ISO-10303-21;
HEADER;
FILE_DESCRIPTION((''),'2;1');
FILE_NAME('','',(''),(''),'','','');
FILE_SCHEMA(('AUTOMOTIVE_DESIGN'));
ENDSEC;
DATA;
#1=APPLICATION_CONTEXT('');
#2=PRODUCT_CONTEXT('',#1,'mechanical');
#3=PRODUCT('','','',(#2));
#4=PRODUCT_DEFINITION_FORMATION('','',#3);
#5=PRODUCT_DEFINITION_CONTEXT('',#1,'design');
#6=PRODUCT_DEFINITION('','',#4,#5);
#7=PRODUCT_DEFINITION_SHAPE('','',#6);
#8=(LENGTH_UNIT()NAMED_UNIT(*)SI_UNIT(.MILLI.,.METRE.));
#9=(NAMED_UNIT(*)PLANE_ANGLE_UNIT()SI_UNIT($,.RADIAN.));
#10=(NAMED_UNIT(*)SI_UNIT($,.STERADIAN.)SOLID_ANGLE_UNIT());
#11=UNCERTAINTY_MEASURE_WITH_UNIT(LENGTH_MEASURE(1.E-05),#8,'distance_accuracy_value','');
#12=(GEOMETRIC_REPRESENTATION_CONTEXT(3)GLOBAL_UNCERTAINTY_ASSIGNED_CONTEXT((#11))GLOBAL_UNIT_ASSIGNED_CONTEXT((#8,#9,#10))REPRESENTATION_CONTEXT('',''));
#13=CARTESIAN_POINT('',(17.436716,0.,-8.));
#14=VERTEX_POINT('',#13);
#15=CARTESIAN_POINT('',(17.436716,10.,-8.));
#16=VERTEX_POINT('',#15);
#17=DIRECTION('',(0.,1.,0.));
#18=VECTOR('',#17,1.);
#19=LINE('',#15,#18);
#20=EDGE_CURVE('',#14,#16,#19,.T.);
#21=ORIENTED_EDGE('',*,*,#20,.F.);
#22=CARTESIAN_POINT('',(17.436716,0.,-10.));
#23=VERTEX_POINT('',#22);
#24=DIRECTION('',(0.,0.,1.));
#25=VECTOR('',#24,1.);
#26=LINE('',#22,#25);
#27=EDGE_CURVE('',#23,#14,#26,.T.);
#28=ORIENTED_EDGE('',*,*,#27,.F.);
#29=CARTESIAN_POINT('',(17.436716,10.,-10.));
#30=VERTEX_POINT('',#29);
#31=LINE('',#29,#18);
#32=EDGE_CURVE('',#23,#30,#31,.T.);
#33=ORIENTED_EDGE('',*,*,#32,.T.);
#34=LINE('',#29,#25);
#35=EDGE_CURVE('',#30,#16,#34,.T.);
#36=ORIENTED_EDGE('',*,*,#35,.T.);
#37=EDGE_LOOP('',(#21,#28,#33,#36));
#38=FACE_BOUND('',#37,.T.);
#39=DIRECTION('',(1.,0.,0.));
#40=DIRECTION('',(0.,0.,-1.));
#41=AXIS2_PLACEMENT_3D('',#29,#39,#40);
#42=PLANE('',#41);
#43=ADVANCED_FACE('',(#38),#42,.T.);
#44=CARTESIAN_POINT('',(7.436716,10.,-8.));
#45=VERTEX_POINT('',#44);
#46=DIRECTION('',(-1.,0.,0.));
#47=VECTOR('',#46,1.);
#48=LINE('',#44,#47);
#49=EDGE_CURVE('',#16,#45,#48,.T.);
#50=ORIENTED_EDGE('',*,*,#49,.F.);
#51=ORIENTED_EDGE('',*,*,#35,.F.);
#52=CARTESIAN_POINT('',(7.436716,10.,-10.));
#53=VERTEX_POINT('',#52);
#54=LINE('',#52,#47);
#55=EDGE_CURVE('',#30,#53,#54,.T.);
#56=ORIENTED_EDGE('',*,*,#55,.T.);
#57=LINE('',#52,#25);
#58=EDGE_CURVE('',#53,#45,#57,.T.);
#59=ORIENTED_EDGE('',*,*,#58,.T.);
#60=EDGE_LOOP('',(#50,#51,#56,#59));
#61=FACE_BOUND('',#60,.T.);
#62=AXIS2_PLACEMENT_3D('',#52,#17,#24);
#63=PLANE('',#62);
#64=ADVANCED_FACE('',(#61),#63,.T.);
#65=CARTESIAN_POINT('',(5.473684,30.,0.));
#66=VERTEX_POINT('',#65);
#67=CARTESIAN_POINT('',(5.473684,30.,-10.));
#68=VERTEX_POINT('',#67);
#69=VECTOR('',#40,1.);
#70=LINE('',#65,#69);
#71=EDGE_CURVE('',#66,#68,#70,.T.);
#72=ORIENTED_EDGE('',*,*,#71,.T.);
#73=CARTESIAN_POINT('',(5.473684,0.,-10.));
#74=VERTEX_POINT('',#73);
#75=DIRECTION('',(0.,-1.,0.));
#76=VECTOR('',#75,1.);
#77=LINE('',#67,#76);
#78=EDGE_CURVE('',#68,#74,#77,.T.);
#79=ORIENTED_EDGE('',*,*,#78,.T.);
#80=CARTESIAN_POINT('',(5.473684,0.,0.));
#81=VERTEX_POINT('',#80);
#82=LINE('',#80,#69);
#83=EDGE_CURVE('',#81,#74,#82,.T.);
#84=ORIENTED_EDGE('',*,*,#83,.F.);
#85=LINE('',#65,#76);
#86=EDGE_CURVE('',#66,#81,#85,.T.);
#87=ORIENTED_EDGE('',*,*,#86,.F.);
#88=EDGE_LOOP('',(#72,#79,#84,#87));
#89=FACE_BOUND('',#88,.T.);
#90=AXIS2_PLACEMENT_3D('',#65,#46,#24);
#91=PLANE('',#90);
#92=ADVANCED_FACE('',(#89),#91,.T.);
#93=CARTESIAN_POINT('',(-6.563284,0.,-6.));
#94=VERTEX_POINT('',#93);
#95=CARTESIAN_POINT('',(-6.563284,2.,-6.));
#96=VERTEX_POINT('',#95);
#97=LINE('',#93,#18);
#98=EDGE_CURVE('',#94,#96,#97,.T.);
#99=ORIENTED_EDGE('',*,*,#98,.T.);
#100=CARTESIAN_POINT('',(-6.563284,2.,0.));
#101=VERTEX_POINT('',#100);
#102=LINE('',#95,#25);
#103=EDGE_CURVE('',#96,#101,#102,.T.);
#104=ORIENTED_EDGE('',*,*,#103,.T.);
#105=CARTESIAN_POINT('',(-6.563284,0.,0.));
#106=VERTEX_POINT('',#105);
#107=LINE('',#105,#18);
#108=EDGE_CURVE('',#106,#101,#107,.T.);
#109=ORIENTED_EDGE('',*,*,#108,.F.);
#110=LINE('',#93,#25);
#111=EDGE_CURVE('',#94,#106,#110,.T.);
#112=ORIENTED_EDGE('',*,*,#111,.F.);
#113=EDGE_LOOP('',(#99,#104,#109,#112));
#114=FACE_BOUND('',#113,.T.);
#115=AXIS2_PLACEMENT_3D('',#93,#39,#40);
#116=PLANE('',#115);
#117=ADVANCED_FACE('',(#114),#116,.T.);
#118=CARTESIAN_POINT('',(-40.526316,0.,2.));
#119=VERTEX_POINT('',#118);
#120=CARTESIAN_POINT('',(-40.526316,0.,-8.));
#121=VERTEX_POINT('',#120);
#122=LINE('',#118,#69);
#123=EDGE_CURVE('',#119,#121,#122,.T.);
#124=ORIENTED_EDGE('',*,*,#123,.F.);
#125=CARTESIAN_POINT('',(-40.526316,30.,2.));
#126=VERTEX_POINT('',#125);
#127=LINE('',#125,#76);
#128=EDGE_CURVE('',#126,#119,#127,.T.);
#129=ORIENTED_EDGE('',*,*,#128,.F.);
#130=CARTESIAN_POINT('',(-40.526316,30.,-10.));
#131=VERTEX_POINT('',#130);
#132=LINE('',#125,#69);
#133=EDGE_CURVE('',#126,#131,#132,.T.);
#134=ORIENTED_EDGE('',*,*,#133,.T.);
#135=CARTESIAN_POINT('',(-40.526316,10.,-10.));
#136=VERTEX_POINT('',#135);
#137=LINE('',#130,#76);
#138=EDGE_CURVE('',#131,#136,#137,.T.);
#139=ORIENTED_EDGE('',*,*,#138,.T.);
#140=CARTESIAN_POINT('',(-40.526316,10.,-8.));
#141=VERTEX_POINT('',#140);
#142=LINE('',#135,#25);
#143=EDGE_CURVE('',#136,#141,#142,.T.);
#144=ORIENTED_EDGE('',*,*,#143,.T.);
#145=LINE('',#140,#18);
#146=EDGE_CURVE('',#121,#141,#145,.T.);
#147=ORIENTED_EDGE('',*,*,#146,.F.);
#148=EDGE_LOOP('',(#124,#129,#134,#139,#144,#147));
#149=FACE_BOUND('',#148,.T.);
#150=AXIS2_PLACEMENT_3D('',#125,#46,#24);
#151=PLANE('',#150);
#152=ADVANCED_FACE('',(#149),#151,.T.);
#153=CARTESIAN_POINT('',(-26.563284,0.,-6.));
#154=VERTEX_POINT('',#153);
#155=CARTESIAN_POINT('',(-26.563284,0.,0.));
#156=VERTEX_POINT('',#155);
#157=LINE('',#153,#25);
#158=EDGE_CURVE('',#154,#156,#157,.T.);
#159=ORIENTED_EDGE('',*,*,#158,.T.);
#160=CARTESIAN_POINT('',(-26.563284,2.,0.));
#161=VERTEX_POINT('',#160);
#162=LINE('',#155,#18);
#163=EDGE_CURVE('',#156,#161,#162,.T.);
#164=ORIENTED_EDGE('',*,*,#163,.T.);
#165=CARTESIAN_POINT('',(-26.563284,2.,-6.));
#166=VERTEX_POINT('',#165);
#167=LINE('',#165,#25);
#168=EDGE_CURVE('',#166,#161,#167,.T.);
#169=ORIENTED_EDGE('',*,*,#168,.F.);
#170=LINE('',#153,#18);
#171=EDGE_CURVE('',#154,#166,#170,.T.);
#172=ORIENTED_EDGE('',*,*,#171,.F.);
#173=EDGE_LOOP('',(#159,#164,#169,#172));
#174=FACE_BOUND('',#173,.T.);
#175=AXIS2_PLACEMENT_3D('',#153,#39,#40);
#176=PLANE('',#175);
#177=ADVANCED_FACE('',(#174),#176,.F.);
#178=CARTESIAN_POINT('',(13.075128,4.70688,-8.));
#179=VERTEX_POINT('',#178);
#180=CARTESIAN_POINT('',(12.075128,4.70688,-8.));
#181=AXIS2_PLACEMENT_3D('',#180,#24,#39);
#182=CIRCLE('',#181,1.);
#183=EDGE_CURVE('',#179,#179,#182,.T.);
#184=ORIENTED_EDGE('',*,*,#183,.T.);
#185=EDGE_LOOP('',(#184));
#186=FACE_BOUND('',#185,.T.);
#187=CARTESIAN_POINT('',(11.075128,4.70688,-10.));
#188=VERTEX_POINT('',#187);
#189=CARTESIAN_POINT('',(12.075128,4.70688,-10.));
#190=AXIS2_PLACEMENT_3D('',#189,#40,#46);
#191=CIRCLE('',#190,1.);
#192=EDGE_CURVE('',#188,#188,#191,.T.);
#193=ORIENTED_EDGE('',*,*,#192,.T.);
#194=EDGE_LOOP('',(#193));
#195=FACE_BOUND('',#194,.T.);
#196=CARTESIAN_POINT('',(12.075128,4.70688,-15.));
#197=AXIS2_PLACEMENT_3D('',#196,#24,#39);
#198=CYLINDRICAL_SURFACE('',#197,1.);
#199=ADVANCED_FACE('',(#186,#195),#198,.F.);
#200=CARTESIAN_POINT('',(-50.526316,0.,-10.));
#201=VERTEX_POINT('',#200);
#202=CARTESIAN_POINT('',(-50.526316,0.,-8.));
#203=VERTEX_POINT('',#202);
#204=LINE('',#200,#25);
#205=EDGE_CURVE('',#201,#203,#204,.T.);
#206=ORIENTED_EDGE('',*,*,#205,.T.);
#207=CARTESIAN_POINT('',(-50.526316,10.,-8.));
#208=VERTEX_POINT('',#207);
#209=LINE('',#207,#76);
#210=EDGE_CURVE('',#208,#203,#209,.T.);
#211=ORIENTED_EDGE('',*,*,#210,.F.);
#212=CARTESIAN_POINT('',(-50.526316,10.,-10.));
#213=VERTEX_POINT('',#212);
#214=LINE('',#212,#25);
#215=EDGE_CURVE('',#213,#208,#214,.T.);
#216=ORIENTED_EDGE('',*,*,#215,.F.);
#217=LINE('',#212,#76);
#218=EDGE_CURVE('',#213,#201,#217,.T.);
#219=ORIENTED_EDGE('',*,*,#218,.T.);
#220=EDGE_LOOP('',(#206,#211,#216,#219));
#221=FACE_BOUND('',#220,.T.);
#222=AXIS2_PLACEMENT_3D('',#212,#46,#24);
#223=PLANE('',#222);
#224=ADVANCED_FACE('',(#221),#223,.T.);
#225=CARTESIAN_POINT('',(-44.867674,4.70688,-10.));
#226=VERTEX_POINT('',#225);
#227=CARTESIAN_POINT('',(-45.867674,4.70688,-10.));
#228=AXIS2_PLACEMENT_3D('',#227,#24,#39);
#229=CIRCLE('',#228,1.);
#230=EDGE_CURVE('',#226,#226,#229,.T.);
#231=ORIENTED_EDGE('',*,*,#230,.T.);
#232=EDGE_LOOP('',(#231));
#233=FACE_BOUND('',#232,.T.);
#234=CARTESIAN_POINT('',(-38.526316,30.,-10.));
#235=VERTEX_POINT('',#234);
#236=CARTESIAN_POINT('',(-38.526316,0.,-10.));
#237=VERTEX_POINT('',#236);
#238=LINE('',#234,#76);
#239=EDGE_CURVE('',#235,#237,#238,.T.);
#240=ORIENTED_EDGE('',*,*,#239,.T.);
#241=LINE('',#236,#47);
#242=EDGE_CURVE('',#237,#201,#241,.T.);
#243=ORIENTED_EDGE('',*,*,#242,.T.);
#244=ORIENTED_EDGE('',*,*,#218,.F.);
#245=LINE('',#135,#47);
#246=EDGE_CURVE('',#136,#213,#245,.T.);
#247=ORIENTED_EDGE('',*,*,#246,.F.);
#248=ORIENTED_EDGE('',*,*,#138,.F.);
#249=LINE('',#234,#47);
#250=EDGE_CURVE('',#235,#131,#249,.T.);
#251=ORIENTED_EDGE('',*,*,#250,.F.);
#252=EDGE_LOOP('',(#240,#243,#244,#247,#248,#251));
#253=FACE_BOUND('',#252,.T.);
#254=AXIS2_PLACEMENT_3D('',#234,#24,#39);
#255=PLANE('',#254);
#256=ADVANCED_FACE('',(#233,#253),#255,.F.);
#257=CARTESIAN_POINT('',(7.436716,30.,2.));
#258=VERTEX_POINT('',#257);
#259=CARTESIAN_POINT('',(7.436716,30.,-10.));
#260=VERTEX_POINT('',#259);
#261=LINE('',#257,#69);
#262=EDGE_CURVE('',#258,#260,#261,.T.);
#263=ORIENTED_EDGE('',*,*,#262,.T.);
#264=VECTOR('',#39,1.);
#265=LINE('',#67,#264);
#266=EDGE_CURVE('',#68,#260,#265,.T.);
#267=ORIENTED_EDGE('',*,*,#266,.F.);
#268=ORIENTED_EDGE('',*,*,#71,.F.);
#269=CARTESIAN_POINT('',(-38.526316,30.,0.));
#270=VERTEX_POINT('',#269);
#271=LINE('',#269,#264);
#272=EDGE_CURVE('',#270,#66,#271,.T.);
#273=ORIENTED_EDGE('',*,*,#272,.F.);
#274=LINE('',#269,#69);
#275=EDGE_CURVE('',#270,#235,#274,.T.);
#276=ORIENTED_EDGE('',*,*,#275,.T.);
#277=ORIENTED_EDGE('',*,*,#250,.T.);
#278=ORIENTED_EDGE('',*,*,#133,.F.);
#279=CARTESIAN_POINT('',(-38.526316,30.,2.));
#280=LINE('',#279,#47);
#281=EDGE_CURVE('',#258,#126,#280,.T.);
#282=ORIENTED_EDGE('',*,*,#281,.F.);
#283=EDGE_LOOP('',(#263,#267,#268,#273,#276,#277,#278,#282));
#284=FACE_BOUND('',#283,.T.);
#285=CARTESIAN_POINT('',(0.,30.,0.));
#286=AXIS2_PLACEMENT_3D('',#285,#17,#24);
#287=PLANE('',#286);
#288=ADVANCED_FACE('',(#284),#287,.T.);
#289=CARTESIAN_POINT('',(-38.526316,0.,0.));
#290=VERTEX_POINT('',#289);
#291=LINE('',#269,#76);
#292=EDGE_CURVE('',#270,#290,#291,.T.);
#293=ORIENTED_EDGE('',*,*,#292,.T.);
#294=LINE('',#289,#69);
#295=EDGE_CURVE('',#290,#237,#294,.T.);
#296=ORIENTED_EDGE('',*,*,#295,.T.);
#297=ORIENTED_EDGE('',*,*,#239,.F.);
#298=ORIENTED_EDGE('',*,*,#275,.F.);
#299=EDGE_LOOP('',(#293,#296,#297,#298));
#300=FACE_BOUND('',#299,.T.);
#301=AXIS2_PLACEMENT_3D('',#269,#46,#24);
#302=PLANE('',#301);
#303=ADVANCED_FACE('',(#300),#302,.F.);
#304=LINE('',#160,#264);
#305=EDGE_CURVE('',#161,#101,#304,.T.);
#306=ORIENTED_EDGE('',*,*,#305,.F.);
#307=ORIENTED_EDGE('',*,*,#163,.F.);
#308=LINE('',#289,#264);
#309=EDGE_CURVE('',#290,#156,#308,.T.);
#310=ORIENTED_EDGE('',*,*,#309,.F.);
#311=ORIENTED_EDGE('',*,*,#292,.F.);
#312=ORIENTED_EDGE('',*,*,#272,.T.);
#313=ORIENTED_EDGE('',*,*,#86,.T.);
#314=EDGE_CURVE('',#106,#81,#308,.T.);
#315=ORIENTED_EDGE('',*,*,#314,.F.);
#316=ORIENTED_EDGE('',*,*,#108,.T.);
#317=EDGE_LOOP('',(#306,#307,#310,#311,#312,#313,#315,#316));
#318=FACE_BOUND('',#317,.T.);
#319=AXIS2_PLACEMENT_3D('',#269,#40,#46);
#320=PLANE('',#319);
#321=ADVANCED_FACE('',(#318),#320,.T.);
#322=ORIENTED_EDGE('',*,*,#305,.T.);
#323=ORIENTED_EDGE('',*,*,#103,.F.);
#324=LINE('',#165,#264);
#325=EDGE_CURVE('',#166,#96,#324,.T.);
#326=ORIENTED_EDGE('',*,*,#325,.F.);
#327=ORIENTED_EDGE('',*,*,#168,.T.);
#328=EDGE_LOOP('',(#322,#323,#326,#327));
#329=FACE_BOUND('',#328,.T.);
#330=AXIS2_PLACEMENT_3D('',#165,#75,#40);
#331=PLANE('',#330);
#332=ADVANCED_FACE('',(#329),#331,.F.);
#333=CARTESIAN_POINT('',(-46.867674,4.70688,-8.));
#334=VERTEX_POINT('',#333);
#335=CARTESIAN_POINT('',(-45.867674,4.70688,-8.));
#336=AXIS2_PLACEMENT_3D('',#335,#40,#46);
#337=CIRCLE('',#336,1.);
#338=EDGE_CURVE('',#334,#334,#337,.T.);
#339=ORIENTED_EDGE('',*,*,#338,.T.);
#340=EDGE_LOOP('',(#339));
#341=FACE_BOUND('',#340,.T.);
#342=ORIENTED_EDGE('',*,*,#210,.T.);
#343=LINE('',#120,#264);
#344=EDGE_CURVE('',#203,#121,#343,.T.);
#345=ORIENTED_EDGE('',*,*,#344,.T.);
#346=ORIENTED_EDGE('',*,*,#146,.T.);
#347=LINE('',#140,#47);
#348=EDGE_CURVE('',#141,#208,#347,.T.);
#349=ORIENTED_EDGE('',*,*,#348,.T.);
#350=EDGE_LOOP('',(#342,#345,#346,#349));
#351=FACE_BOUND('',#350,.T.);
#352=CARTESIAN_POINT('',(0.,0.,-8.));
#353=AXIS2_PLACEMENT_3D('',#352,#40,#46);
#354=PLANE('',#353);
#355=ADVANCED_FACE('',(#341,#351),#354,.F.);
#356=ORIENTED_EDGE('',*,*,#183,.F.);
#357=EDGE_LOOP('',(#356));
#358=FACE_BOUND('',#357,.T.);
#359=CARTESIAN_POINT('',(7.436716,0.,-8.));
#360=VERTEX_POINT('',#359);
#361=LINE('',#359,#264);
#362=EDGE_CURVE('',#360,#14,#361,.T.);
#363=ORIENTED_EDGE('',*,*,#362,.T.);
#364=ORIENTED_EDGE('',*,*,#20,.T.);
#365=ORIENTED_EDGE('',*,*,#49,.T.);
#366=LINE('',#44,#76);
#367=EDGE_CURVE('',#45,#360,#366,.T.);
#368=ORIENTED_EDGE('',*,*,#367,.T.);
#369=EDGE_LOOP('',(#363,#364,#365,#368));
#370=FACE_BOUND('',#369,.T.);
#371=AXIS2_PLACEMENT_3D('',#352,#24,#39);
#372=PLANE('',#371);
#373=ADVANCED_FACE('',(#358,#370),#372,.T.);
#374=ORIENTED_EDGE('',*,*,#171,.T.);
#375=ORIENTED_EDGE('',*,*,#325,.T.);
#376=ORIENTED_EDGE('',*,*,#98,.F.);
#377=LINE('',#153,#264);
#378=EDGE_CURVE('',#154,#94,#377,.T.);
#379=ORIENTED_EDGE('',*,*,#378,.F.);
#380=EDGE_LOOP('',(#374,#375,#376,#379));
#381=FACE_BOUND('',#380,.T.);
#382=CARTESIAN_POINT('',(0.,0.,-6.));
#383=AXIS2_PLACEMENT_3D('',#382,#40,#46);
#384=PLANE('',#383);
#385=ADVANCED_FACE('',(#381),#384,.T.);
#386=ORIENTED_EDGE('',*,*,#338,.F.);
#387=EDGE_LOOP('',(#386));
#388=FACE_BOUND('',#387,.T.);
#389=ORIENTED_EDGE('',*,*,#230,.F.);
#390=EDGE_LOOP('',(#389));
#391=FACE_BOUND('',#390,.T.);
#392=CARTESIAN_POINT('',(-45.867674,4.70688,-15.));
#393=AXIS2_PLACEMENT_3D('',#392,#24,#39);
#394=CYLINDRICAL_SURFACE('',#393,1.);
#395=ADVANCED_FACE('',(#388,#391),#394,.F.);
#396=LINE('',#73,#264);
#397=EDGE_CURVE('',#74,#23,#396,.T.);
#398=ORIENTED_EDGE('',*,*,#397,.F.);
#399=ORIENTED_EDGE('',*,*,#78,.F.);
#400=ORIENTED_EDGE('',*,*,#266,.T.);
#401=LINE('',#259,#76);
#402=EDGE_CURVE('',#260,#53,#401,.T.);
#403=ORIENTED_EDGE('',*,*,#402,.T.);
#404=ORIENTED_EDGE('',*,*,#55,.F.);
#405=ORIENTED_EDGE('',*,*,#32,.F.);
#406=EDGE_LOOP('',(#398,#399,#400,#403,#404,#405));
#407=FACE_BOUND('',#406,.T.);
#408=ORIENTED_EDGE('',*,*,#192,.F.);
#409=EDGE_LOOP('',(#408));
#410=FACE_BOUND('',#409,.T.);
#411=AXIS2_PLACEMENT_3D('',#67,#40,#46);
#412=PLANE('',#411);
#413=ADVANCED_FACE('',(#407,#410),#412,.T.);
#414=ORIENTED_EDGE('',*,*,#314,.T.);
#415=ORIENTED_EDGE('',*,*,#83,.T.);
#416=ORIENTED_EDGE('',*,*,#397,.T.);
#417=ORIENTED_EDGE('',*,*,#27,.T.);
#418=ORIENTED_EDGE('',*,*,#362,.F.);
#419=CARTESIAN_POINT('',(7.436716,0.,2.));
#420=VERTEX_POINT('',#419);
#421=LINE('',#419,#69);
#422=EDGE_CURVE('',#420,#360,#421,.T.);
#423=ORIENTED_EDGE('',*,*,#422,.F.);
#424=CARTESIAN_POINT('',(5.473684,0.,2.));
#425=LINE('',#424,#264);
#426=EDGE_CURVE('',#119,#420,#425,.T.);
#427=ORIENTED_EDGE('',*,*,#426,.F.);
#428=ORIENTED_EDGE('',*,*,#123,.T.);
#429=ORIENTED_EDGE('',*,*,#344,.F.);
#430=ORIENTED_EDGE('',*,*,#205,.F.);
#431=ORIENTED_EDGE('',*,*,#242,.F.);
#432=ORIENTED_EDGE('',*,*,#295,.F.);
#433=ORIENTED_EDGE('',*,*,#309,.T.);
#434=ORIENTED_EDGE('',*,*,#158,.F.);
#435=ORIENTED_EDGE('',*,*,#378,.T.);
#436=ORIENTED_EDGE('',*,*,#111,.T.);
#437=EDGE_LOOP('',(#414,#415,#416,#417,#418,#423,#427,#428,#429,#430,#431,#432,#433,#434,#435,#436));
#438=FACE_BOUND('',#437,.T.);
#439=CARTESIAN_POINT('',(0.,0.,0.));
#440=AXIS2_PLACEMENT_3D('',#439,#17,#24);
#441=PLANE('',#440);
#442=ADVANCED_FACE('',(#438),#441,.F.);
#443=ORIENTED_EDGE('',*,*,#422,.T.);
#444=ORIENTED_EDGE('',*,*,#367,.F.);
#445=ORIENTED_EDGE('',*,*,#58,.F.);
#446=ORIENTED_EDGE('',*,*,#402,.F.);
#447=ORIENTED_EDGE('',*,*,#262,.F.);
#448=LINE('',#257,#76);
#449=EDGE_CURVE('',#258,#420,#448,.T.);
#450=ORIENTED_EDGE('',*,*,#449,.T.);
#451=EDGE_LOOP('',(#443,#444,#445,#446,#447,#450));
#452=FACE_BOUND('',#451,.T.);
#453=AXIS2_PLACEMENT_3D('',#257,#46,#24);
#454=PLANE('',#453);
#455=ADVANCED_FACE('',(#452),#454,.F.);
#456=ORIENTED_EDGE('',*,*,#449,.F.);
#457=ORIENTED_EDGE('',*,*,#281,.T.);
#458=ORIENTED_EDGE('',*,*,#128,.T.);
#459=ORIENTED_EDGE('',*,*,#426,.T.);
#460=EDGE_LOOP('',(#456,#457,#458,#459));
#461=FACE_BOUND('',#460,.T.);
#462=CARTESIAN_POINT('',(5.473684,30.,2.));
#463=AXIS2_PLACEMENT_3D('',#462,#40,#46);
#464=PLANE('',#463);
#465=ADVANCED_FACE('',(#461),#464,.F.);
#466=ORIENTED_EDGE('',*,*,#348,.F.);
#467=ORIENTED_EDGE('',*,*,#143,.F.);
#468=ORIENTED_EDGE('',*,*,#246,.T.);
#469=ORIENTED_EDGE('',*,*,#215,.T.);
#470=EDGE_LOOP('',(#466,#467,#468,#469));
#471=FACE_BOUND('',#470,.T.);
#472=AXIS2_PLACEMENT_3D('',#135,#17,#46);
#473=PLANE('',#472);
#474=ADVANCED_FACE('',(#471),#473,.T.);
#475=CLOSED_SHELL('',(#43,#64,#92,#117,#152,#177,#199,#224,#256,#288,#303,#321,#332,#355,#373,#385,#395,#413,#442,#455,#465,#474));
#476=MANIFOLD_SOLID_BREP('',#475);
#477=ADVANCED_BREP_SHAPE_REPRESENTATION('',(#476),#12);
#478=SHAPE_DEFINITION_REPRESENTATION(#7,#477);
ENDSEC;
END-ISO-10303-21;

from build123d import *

# Parameters (mm, degrees)
EXTRUDE_1_DEPTH     = 30
SKETCH_2_W          = 20
SKETCH_2_H          = 2
EXTRUDE_2_DEPTH     = 6
SKETCH_3_W          = 10
SKETCH_3_H          = 10
EXTRUDE_5_DEPTH     = 10
SKETCH_3_2_W        = 10
SKETCH_3_2_H        = 10
CUT_EXTRUDE_1_DEPTH = 8
SKETCH_4_R          = 1
CUT_EXTRUDE_2_DEPTH = 15


with BuildPart() as part:
    # 草图1 → 凸台-拉伸1 (new body)
    with BuildSketch(Plane(origin=(0, 0, 0), x_dir=(1, 0, 0), z_dir=(0, 1, 0))):
        Polygon((-38.526315789, 0), (5.473684211, 0), (5.473684211, 10), (7.436715789, 10), (7.436715789, -2), (5.473684211, -2), (-38.526315789, -2), (-40.526315789, -2), (-40.526315789, 10), (-38.526315789, 10), align=None)
    extrude(amount=EXTRUDE_1_DEPTH)

    # 草图2 → 凸台-拉伸2 (add)
    with BuildSketch(Plane.XY):
        with Locations((-16.563284211, 1)):
            Rectangle(SKETCH_2_W, SKETCH_2_H)
    extrude(amount=-EXTRUDE_2_DEPTH)

    # 草图3 → 凸台-拉伸5 (add)
    with BuildSketch(Plane.XY):
        with Locations((-45.526315789, 5)):
            Rectangle(SKETCH_3_W, SKETCH_3_H)
        with Locations((12.436715789, 5)):
            Rectangle(SKETCH_3_W, SKETCH_3_H)
    extrude(amount=-EXTRUDE_5_DEPTH)

    # 草图3<2> → 切除-拉伸1 (cut)
    with BuildSketch(Plane.XY):
        with Locations((-45.526315789, 5)):
            Rectangle(SKETCH_3_2_W, SKETCH_3_2_H)
        with Locations((12.436715789, 5)):
            Rectangle(SKETCH_3_2_W, SKETCH_3_2_H)
    extrude(amount=-CUT_EXTRUDE_1_DEPTH, mode=Mode.SUBTRACT)

    # 草图4 → 切除-拉伸2 (cut)
    with BuildSketch(Plane.XY):
        with Locations((-45.867673878, 4.706880403)):
            Circle(SKETCH_4_R)
        with Locations((12.075128271, 4.706880403)):
            Circle(SKETCH_4_R)
    extrude(amount=-CUT_EXTRUDE_2_DEPTH, mode=Mode.SUBTRACT)


solid = part.part
